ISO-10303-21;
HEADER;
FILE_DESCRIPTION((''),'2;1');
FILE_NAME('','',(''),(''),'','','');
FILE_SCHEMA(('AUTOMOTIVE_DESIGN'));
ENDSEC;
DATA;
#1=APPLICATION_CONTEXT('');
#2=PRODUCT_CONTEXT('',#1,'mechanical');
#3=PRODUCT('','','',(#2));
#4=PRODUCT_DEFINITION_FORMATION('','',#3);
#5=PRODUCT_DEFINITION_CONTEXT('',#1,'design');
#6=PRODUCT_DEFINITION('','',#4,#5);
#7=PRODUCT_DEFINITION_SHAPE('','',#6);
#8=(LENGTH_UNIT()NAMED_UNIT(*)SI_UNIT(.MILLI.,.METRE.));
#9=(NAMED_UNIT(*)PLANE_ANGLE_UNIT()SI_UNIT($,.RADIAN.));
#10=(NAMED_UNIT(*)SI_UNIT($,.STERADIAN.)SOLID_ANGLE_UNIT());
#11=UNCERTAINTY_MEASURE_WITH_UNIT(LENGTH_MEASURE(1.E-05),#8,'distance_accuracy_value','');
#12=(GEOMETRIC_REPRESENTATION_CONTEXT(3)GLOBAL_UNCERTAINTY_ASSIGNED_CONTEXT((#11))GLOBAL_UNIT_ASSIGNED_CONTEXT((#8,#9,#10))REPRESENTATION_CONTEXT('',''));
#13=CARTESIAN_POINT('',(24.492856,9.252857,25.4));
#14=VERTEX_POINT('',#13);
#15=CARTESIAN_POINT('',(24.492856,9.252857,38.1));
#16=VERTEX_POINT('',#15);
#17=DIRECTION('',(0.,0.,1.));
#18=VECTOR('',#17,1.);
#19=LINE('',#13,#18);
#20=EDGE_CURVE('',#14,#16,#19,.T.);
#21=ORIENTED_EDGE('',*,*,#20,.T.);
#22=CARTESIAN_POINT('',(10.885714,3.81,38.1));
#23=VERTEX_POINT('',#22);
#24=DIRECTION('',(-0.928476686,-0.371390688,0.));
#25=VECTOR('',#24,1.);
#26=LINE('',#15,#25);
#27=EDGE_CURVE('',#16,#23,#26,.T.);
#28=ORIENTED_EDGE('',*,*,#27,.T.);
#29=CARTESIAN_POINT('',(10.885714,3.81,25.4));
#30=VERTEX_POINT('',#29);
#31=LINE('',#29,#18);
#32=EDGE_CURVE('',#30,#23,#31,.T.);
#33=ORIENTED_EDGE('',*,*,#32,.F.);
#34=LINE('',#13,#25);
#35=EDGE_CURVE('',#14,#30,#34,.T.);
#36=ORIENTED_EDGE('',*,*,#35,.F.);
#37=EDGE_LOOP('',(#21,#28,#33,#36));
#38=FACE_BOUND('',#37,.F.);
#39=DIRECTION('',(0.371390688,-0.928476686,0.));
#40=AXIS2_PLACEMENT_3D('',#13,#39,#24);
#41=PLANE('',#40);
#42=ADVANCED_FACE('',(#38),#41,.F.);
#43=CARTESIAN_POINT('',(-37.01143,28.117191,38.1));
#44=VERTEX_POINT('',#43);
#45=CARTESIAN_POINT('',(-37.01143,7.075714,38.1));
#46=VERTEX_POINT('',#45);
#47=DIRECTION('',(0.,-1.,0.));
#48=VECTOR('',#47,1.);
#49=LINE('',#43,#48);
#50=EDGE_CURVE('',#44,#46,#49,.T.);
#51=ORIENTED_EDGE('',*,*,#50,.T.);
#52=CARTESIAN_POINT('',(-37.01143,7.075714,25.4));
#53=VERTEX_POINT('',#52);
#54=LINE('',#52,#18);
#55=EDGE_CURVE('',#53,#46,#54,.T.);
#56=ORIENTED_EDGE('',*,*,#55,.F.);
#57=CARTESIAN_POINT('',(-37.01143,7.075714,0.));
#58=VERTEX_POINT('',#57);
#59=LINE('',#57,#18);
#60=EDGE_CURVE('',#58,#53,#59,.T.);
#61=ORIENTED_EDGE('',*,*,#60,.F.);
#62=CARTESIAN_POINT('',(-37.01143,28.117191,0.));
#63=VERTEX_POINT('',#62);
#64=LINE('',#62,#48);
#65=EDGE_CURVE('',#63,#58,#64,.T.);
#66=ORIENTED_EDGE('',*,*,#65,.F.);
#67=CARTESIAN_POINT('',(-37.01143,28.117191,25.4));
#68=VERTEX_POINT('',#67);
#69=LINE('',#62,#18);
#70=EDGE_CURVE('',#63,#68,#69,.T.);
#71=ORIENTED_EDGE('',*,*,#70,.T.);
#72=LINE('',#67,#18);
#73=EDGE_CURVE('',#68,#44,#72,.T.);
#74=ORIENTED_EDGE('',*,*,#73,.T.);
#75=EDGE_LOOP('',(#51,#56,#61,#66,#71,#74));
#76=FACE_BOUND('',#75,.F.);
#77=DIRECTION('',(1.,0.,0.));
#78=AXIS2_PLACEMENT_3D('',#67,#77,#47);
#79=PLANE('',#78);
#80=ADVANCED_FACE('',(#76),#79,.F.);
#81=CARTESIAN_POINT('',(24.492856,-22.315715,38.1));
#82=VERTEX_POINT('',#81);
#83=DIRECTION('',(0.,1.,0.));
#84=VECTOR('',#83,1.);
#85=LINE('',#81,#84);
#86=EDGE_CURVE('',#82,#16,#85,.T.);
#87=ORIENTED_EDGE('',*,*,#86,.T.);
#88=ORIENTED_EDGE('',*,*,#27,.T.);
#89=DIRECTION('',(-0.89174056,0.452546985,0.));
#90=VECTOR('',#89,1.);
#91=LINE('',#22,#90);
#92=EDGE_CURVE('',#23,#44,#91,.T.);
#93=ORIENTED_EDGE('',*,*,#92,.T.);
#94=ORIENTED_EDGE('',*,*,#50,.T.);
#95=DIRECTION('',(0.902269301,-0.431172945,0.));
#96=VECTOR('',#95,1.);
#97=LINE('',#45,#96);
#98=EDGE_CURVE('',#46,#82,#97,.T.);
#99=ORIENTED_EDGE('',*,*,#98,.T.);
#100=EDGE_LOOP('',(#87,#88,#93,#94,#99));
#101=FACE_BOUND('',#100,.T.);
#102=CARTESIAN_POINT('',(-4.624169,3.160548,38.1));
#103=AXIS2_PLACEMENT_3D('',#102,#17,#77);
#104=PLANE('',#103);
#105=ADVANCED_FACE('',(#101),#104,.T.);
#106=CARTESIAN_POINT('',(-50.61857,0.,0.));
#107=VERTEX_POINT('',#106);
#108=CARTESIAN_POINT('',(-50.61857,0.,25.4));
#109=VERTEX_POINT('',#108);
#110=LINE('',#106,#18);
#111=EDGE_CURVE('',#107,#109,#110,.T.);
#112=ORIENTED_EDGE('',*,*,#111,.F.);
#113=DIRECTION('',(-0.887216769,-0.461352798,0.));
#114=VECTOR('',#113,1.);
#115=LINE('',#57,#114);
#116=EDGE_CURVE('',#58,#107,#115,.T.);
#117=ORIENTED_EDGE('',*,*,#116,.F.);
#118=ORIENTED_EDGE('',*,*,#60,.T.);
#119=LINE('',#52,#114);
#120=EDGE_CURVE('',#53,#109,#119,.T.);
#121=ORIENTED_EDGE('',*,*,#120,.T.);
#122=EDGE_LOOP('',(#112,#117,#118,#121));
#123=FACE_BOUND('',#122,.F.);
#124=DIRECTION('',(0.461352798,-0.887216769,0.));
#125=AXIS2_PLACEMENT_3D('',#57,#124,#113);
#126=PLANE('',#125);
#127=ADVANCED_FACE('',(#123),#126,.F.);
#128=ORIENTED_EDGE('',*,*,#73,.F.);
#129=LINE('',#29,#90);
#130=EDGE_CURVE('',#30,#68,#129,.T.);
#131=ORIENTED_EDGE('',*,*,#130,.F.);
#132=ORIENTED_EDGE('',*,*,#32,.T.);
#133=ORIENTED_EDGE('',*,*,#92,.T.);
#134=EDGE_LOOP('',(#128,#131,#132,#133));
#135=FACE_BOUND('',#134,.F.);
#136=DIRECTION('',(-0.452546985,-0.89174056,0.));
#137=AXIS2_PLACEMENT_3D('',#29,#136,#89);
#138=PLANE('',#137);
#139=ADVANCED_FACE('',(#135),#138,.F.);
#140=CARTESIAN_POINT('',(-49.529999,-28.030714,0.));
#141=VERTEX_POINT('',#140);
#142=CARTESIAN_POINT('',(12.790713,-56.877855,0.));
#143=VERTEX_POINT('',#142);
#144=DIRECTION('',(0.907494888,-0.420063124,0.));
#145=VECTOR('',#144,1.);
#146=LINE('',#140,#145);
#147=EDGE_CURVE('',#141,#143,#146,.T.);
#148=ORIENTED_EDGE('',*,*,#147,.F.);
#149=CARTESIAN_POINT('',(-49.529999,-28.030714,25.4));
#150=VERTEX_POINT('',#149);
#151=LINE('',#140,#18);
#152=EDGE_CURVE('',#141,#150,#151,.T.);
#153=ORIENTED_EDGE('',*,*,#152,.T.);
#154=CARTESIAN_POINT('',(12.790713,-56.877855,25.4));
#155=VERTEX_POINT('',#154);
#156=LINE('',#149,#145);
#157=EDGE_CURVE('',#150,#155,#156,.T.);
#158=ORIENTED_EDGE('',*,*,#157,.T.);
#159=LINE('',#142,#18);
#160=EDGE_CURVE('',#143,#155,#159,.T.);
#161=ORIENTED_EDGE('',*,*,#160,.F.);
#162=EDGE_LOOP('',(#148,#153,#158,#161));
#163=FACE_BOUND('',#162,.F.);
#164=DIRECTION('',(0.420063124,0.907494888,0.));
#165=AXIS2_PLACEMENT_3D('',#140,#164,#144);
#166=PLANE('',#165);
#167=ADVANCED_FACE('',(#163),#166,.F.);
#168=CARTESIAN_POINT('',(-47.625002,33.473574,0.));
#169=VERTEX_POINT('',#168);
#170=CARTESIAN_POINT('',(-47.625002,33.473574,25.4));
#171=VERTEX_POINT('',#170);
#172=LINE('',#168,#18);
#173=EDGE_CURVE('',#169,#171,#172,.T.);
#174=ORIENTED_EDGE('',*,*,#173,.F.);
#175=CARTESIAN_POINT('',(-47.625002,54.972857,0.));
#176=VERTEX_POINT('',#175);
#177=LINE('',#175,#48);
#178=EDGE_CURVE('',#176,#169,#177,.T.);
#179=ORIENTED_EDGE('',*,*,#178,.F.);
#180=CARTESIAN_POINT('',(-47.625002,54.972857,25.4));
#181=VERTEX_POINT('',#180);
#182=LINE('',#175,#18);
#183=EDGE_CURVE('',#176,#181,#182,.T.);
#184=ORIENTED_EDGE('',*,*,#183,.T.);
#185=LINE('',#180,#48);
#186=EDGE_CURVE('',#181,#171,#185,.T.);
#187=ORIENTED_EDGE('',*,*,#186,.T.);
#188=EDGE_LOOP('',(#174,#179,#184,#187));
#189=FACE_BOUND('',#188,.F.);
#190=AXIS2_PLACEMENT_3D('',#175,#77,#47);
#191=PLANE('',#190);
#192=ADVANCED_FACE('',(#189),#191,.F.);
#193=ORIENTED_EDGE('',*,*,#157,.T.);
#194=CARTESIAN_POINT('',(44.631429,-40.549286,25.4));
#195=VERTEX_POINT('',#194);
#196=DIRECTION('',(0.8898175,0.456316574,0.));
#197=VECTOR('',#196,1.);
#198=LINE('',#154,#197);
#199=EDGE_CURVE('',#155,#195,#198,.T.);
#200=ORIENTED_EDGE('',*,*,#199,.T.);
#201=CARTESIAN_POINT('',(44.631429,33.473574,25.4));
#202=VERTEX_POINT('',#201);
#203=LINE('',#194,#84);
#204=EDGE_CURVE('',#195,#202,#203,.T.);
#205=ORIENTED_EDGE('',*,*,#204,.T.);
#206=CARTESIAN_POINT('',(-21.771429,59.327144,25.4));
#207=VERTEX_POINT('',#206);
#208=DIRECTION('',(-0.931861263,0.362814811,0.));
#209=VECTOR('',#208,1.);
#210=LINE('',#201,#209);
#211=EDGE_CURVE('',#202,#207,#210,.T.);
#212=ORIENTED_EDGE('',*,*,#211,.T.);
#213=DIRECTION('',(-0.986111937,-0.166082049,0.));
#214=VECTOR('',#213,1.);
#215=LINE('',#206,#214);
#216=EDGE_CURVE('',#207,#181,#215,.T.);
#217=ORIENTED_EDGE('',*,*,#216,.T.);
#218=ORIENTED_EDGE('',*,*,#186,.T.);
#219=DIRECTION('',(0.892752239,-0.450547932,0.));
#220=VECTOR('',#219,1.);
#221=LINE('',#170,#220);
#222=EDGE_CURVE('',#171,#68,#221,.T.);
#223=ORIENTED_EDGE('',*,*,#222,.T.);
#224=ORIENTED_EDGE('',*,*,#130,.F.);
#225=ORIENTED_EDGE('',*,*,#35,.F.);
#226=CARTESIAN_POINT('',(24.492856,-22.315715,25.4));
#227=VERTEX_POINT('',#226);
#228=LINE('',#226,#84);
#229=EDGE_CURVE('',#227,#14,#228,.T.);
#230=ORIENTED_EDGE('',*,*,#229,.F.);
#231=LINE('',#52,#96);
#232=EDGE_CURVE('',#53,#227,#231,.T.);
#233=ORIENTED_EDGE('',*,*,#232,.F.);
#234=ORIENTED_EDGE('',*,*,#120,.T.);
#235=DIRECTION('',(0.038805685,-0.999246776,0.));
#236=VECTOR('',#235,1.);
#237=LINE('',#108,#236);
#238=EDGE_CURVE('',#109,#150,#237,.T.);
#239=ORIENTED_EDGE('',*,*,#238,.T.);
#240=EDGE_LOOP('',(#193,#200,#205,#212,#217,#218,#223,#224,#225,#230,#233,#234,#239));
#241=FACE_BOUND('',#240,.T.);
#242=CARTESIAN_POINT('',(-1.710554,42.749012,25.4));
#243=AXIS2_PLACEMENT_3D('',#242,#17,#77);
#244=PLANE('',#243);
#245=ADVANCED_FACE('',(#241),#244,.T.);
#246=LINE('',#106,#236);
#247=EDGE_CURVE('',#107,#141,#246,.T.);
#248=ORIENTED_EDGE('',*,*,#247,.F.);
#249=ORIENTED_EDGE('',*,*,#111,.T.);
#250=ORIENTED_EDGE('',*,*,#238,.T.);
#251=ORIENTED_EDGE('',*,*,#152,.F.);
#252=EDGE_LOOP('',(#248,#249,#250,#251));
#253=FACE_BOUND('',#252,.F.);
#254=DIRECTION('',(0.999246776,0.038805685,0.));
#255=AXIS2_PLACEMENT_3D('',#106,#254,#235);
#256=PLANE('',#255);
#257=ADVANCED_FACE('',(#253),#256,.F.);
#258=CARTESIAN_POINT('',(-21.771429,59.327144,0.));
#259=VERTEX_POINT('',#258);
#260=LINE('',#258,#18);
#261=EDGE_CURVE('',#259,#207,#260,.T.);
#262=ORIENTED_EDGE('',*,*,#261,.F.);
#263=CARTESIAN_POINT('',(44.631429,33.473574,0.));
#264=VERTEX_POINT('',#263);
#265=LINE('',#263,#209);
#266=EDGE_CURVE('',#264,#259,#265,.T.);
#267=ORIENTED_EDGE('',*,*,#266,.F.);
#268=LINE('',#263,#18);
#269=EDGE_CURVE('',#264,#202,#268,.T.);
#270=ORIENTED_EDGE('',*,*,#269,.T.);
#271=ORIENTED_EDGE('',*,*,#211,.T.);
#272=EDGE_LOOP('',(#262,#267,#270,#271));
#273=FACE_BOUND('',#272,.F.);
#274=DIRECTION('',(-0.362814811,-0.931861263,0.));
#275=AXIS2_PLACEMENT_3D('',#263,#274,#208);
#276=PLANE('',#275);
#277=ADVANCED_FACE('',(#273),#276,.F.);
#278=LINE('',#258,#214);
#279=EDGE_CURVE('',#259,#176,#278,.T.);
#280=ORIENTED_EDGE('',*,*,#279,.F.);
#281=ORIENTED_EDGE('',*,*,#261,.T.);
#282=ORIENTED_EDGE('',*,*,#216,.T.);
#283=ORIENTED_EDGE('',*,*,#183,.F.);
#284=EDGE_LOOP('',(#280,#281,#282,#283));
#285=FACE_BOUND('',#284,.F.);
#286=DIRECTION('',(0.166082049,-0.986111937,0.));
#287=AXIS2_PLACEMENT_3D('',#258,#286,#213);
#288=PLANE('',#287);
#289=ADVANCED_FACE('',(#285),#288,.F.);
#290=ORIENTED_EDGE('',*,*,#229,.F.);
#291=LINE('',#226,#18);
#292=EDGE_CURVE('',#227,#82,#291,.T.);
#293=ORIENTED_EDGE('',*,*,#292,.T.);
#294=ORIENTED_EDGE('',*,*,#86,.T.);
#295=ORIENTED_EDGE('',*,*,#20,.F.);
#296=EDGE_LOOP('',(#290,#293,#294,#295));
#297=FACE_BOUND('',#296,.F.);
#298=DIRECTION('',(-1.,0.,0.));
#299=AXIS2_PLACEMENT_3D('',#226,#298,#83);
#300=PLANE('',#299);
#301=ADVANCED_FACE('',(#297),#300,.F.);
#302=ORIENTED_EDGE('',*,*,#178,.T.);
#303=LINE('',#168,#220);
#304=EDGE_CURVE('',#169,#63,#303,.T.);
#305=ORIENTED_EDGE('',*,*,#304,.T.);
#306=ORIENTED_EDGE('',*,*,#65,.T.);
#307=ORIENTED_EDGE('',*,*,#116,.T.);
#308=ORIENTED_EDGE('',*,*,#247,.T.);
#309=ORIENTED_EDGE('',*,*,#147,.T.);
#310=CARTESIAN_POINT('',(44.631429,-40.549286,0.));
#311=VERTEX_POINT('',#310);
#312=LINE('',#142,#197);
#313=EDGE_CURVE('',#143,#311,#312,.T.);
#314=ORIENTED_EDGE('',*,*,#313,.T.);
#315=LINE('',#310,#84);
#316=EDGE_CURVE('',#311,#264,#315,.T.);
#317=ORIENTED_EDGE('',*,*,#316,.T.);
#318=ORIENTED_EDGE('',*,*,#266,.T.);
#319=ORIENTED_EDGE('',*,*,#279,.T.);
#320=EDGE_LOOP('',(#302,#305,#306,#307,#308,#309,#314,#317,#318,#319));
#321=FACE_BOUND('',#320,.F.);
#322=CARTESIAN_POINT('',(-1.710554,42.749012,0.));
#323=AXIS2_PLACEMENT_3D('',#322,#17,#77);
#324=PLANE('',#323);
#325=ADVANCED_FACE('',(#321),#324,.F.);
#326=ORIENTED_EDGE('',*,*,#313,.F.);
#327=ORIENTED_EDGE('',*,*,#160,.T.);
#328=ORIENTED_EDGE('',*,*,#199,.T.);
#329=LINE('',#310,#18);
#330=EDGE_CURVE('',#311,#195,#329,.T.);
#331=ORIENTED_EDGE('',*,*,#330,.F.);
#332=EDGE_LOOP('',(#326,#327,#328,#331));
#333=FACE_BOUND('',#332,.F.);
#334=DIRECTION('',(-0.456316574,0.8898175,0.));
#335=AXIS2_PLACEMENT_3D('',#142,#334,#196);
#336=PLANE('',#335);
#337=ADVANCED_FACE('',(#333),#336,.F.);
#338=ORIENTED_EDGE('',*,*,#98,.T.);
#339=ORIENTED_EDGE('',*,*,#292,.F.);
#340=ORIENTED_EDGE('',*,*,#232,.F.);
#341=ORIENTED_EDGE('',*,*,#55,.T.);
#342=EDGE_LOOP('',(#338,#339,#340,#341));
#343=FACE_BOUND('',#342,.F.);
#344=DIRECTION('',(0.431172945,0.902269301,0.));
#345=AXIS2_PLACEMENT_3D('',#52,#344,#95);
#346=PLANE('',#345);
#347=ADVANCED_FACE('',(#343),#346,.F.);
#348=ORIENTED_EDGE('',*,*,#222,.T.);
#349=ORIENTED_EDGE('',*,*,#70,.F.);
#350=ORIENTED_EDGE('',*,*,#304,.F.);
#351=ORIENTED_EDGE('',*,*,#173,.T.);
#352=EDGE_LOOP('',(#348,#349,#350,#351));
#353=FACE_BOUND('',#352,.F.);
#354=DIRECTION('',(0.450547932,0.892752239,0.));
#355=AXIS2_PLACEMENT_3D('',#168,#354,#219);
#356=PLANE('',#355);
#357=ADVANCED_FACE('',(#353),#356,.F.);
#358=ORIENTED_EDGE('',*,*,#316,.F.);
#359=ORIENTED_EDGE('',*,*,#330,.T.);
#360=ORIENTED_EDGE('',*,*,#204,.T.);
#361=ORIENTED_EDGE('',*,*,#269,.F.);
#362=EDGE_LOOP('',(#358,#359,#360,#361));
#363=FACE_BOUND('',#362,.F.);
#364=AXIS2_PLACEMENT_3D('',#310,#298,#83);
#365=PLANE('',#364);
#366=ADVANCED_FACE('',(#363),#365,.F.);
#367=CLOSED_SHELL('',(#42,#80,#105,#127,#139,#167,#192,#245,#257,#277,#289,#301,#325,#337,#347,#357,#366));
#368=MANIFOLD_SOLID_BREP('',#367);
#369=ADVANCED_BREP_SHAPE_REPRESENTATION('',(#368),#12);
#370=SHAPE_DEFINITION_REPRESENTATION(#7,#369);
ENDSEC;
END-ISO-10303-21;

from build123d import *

# Parameters (mm, degrees)
F1_DEPTH = 25.4
F3_DEPTH = 12.7


with BuildPart() as f1:
    # F0 (on Top) → F1 (new body)
    with BuildSketch(Plane.XY):
        Polygon((-21.771429, 59.327144), (-47.625002, 54.972857), (10.613571, 25.309285), (44.631429, 33.473574), align=None)
        Polygon((10.613571, 25.309285), (-47.625002, 54.972857), (-47.625002, 33.473574), (-37.01143, 28.117191), (10.613571, 4.082143), align=None)
        Polygon((44.631429, 33.473574), (10.613571, 25.309285), (10.613571, 4.082143), (24.765, 9.797143), (24.765, -22.587858), (12.790713, -27.758572), (12.790713, -56.877855), (44.631429, -40.549286), align=None)
        Polygon((24.765, 9.797143), (10.613571, 4.082143), (-37.01143, 28.117191), (-37.01143, 7.075714), (24.765, -22.587858), align=None)
        Polygon((24.765, -22.587858), (-37.01143, 7.075714), (-50.61857, 0), (12.790713, -27.758572), align=None)
        Polygon((-49.529999, -28.030714), (12.790713, -56.877855), (12.790713, -27.758572), (-50.61857, 0), align=None)
    extrude(amount=F1_DEPTH)

    # F2 (on face) → F3 (join)
    with BuildSketch(Plane.XY.offset(25.4)):
        Polygon((10.885714, 3.81), (-37.01143, 28.117191), (-37.01143, 7.075714), (24.492856, -22.315715), (24.492856, 9.252857), align=None)
    extrude(amount=F3_DEPTH)


solid = f1.part
